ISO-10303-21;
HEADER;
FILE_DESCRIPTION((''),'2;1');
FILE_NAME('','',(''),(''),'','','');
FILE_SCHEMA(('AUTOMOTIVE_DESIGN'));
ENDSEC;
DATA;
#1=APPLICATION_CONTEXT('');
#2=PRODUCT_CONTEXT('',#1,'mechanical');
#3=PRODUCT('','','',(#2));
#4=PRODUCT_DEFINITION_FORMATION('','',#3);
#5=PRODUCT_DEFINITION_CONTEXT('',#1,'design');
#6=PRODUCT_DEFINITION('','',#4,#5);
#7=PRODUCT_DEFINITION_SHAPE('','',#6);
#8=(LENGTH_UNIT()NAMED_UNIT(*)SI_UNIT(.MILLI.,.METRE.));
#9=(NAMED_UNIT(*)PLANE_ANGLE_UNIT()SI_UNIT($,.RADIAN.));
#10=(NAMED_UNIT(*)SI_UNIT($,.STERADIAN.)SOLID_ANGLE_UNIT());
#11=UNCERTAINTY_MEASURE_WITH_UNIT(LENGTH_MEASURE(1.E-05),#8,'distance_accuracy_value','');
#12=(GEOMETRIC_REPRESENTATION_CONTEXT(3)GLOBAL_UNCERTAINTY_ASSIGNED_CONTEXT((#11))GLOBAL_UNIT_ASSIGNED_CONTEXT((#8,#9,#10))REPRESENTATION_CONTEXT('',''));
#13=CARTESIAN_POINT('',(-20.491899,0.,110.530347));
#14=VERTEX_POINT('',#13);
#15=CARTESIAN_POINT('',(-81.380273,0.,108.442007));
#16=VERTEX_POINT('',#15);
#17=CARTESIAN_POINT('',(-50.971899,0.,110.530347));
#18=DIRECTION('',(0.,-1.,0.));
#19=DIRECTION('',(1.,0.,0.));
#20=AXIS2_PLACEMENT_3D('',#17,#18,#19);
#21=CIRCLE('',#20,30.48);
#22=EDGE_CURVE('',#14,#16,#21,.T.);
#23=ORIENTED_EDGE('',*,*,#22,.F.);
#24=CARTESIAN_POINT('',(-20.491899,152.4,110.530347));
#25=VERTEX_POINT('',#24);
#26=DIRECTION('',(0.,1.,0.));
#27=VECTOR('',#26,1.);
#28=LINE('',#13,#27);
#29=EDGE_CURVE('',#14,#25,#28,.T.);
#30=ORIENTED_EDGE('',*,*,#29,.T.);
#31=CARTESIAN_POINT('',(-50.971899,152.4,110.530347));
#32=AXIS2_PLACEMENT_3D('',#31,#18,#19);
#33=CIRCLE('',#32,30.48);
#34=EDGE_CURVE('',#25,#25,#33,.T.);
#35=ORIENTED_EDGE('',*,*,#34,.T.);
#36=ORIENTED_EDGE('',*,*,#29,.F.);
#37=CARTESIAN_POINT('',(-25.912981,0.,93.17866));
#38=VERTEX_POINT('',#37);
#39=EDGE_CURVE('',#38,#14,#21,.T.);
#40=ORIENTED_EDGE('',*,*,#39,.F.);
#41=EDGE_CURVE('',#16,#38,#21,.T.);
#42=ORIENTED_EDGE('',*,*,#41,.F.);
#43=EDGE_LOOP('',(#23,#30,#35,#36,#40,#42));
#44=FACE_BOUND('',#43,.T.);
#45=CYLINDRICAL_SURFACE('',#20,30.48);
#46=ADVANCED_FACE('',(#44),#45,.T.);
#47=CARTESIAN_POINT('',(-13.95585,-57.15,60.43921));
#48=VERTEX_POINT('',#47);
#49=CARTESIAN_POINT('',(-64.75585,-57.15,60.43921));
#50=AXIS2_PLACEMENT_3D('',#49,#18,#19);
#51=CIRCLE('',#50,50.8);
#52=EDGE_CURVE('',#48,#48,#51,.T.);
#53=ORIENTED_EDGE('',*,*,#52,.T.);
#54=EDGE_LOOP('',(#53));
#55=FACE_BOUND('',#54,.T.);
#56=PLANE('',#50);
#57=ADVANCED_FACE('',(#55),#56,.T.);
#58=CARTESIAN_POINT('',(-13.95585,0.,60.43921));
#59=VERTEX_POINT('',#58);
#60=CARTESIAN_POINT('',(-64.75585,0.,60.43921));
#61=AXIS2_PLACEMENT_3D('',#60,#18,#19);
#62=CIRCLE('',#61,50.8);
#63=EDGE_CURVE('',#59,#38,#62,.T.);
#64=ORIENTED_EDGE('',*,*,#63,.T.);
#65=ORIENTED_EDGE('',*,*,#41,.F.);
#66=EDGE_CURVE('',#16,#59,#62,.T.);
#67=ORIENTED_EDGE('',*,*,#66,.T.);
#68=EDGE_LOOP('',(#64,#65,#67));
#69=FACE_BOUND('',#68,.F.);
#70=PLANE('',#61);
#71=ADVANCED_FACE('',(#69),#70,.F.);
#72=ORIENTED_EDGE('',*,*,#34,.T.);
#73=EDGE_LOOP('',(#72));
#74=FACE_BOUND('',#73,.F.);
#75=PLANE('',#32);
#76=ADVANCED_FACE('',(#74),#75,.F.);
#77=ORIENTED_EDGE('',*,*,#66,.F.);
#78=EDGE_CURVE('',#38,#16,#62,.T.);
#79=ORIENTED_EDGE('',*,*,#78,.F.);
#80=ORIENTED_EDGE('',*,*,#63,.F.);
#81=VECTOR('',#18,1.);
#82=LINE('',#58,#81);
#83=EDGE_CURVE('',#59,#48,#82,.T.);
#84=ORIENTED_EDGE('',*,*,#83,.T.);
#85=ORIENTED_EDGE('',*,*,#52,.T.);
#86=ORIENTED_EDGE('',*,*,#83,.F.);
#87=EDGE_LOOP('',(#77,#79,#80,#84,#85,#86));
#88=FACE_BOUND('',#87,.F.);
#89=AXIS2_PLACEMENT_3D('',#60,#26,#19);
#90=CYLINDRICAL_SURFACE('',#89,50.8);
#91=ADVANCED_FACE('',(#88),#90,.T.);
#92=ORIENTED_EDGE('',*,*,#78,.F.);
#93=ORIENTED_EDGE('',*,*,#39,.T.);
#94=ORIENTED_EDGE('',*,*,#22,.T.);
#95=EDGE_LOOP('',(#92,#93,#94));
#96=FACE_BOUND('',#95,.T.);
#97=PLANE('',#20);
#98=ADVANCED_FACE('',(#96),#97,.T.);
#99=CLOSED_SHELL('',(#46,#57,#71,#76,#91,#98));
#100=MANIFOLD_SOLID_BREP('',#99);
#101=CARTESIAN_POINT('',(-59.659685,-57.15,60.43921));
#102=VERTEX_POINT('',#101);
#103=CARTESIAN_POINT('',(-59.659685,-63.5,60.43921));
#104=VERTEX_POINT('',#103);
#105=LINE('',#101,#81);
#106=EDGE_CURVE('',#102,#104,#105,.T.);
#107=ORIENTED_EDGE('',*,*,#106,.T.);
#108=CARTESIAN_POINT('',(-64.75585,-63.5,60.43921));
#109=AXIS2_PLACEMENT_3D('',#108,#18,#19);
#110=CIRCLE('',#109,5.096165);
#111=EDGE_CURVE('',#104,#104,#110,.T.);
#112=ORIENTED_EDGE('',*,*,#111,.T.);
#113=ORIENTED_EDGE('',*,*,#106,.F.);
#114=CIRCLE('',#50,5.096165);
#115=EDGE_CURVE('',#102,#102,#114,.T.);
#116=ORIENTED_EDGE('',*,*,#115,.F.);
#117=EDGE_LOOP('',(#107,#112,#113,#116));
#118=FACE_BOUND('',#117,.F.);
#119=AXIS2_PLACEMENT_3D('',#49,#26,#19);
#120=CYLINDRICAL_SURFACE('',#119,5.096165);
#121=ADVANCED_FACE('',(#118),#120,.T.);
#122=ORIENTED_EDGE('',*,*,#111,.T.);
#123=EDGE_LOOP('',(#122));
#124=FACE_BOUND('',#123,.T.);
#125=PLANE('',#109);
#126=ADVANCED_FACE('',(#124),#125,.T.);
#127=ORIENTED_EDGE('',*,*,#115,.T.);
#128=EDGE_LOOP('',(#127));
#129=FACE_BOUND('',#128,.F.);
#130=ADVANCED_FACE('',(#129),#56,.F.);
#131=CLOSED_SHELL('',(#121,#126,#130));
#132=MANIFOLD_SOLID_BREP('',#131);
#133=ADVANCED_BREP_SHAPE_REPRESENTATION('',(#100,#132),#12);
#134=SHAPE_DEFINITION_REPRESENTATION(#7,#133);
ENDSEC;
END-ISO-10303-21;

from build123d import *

# Parameters (mm, degrees)
F0_R     = 50.8
F1_DEPTH = 57.15
F2_R     = 30.48
F3_DEPTH = 152.4
F4_R     = 5.096165
F5_DEPTH = 6.35


with BuildPart() as f1:
    # F0 (on Front) → F1 (new body)
    with BuildSketch(Plane.XZ):
        with Locations((-64.75585, 60.43921)):
            Circle(F0_R)
    extrude(amount=F1_DEPTH)

    # F2 (on Front) → F3 (join)
    with BuildSketch(Plane.XZ):
        with Locations((-50.971899, 110.530347)):
            Circle(F2_R)
    extrude(amount=-F3_DEPTH)


with BuildPart() as f5:
    # F4 (on face) → F5 (new body)
    with BuildSketch(Plane.XZ.offset(57.15)):
        with Locations((-64.75585, 60.43921)):
            Circle(F4_R)
    extrude(amount=F5_DEPTH)


solid = Compound([f1.part, f5.part])
